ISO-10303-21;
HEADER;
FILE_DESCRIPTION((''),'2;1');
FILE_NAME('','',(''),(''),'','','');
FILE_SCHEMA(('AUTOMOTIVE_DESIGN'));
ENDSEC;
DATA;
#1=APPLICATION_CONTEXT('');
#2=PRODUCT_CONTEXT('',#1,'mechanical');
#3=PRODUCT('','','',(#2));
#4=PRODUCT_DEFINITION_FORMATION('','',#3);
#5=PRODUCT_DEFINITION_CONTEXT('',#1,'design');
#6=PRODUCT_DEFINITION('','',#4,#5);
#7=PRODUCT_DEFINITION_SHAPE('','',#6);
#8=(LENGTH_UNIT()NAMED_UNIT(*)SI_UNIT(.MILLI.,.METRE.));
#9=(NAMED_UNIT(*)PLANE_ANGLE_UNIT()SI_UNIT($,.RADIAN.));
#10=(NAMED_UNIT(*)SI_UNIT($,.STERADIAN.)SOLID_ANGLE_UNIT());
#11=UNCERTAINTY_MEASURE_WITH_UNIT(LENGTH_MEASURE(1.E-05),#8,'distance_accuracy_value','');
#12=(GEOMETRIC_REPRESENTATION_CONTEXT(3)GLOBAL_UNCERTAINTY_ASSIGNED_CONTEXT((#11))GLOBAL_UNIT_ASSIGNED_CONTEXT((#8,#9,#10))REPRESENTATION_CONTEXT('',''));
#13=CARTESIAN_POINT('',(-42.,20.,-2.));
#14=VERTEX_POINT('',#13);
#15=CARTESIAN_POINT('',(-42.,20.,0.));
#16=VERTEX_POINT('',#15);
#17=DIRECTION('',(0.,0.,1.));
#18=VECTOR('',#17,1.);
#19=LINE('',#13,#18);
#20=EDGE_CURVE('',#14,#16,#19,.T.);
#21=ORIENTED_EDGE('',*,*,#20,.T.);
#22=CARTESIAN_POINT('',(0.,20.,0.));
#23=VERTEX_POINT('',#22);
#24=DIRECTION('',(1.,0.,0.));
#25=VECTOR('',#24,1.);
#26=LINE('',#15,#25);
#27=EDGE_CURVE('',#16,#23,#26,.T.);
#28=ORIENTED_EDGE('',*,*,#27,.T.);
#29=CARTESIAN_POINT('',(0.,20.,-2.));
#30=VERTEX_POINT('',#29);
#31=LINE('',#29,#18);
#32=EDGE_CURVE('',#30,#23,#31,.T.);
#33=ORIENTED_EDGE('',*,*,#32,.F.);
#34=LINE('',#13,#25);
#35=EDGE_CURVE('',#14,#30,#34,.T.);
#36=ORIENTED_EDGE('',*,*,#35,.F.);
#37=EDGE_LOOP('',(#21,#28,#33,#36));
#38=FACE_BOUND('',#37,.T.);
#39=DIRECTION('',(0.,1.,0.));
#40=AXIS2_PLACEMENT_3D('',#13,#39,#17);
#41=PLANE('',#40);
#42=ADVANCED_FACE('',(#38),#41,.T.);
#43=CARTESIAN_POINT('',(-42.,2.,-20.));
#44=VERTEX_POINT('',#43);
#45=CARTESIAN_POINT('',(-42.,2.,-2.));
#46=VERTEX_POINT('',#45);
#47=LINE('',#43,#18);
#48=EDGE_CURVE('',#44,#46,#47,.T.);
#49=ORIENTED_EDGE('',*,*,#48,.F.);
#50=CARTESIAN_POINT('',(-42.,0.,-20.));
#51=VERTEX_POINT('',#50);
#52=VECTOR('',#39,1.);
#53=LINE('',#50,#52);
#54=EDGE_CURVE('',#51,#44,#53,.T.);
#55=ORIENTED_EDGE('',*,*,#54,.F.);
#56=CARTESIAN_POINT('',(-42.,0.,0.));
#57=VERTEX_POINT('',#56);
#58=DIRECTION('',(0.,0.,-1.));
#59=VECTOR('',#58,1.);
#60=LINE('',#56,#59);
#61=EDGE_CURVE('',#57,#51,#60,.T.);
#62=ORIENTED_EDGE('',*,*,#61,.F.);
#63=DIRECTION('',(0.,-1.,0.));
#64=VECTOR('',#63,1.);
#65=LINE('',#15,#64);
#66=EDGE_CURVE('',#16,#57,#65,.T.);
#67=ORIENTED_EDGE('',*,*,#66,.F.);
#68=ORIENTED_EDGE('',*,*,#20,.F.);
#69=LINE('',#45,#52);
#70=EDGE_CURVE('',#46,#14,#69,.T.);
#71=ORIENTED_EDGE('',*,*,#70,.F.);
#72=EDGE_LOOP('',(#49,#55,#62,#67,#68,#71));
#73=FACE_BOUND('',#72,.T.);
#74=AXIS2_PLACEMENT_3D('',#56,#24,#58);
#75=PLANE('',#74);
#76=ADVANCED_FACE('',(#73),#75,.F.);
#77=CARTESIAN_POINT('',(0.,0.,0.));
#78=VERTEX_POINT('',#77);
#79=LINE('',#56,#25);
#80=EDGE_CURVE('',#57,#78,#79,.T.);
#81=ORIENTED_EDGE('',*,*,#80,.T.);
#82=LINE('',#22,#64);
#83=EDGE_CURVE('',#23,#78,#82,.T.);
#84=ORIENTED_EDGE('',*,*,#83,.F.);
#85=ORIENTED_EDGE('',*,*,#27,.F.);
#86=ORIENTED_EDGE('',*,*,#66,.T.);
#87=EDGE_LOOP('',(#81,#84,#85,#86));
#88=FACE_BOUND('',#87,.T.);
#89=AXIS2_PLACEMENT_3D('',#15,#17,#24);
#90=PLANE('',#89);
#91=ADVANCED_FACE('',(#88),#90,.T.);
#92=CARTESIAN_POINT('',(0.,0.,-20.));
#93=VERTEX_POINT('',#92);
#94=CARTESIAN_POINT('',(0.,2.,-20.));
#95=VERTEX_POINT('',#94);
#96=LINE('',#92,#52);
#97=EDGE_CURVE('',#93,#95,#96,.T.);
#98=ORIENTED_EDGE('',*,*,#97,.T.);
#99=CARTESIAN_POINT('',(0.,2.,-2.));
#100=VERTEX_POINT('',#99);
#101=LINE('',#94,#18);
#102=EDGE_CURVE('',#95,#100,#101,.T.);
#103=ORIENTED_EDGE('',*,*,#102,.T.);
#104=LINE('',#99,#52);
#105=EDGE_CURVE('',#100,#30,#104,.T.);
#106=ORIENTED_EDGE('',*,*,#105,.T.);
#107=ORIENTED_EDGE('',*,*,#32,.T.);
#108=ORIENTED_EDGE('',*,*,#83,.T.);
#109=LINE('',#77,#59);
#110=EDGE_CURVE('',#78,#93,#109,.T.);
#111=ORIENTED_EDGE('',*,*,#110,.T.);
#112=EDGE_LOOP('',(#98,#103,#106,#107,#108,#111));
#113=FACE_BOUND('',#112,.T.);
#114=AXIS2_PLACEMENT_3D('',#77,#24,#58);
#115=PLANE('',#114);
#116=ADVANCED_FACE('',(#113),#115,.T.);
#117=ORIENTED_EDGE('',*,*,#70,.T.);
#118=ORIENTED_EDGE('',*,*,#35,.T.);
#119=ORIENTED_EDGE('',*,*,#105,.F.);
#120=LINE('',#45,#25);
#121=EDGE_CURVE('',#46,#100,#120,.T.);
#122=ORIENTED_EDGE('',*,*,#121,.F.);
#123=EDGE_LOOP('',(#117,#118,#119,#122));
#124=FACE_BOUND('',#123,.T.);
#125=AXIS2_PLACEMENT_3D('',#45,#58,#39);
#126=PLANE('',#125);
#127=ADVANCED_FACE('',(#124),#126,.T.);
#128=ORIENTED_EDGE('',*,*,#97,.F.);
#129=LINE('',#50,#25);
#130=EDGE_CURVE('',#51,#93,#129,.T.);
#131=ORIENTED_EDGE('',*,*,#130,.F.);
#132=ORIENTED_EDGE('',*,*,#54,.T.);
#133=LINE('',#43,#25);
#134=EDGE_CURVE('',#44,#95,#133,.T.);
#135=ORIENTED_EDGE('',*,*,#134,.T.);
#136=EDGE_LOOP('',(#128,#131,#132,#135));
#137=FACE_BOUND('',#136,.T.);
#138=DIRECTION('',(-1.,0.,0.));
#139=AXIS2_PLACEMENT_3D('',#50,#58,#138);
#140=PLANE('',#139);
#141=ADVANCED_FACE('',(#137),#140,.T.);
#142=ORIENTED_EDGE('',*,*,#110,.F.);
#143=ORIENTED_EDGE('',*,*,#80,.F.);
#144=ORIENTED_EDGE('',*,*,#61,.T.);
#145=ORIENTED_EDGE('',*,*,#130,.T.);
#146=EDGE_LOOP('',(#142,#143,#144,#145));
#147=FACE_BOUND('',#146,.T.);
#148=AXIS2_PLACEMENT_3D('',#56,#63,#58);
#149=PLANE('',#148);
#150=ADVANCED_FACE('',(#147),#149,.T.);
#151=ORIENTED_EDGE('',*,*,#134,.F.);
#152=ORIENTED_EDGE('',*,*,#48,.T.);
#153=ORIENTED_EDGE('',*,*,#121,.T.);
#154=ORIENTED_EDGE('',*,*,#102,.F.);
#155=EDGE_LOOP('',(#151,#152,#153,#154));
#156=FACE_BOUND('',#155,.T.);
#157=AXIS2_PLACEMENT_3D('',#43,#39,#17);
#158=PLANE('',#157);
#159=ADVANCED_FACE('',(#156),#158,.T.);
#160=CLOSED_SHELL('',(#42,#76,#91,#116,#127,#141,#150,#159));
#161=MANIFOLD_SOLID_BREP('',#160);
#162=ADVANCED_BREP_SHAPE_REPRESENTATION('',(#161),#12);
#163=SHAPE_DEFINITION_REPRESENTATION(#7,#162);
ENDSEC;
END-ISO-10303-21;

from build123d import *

# Parameters (mm, degrees)
BOSS_EXTRUDE1_DEPTH = 42


with BuildPart() as part:
    # Sketch1 → Boss-Extrude1 (new body)
    with BuildSketch(Plane(origin=(0, 0, 0), x_dir=(0, 0, -1), z_dir=(1, 0, 0))):
        Polygon((0, 20), (0, 0), (20, 0), (20, 2), (2, 2), (2, 20), align=None)
    extrude(amount=-BOSS_EXTRUDE1_DEPTH)


solid = part.part
